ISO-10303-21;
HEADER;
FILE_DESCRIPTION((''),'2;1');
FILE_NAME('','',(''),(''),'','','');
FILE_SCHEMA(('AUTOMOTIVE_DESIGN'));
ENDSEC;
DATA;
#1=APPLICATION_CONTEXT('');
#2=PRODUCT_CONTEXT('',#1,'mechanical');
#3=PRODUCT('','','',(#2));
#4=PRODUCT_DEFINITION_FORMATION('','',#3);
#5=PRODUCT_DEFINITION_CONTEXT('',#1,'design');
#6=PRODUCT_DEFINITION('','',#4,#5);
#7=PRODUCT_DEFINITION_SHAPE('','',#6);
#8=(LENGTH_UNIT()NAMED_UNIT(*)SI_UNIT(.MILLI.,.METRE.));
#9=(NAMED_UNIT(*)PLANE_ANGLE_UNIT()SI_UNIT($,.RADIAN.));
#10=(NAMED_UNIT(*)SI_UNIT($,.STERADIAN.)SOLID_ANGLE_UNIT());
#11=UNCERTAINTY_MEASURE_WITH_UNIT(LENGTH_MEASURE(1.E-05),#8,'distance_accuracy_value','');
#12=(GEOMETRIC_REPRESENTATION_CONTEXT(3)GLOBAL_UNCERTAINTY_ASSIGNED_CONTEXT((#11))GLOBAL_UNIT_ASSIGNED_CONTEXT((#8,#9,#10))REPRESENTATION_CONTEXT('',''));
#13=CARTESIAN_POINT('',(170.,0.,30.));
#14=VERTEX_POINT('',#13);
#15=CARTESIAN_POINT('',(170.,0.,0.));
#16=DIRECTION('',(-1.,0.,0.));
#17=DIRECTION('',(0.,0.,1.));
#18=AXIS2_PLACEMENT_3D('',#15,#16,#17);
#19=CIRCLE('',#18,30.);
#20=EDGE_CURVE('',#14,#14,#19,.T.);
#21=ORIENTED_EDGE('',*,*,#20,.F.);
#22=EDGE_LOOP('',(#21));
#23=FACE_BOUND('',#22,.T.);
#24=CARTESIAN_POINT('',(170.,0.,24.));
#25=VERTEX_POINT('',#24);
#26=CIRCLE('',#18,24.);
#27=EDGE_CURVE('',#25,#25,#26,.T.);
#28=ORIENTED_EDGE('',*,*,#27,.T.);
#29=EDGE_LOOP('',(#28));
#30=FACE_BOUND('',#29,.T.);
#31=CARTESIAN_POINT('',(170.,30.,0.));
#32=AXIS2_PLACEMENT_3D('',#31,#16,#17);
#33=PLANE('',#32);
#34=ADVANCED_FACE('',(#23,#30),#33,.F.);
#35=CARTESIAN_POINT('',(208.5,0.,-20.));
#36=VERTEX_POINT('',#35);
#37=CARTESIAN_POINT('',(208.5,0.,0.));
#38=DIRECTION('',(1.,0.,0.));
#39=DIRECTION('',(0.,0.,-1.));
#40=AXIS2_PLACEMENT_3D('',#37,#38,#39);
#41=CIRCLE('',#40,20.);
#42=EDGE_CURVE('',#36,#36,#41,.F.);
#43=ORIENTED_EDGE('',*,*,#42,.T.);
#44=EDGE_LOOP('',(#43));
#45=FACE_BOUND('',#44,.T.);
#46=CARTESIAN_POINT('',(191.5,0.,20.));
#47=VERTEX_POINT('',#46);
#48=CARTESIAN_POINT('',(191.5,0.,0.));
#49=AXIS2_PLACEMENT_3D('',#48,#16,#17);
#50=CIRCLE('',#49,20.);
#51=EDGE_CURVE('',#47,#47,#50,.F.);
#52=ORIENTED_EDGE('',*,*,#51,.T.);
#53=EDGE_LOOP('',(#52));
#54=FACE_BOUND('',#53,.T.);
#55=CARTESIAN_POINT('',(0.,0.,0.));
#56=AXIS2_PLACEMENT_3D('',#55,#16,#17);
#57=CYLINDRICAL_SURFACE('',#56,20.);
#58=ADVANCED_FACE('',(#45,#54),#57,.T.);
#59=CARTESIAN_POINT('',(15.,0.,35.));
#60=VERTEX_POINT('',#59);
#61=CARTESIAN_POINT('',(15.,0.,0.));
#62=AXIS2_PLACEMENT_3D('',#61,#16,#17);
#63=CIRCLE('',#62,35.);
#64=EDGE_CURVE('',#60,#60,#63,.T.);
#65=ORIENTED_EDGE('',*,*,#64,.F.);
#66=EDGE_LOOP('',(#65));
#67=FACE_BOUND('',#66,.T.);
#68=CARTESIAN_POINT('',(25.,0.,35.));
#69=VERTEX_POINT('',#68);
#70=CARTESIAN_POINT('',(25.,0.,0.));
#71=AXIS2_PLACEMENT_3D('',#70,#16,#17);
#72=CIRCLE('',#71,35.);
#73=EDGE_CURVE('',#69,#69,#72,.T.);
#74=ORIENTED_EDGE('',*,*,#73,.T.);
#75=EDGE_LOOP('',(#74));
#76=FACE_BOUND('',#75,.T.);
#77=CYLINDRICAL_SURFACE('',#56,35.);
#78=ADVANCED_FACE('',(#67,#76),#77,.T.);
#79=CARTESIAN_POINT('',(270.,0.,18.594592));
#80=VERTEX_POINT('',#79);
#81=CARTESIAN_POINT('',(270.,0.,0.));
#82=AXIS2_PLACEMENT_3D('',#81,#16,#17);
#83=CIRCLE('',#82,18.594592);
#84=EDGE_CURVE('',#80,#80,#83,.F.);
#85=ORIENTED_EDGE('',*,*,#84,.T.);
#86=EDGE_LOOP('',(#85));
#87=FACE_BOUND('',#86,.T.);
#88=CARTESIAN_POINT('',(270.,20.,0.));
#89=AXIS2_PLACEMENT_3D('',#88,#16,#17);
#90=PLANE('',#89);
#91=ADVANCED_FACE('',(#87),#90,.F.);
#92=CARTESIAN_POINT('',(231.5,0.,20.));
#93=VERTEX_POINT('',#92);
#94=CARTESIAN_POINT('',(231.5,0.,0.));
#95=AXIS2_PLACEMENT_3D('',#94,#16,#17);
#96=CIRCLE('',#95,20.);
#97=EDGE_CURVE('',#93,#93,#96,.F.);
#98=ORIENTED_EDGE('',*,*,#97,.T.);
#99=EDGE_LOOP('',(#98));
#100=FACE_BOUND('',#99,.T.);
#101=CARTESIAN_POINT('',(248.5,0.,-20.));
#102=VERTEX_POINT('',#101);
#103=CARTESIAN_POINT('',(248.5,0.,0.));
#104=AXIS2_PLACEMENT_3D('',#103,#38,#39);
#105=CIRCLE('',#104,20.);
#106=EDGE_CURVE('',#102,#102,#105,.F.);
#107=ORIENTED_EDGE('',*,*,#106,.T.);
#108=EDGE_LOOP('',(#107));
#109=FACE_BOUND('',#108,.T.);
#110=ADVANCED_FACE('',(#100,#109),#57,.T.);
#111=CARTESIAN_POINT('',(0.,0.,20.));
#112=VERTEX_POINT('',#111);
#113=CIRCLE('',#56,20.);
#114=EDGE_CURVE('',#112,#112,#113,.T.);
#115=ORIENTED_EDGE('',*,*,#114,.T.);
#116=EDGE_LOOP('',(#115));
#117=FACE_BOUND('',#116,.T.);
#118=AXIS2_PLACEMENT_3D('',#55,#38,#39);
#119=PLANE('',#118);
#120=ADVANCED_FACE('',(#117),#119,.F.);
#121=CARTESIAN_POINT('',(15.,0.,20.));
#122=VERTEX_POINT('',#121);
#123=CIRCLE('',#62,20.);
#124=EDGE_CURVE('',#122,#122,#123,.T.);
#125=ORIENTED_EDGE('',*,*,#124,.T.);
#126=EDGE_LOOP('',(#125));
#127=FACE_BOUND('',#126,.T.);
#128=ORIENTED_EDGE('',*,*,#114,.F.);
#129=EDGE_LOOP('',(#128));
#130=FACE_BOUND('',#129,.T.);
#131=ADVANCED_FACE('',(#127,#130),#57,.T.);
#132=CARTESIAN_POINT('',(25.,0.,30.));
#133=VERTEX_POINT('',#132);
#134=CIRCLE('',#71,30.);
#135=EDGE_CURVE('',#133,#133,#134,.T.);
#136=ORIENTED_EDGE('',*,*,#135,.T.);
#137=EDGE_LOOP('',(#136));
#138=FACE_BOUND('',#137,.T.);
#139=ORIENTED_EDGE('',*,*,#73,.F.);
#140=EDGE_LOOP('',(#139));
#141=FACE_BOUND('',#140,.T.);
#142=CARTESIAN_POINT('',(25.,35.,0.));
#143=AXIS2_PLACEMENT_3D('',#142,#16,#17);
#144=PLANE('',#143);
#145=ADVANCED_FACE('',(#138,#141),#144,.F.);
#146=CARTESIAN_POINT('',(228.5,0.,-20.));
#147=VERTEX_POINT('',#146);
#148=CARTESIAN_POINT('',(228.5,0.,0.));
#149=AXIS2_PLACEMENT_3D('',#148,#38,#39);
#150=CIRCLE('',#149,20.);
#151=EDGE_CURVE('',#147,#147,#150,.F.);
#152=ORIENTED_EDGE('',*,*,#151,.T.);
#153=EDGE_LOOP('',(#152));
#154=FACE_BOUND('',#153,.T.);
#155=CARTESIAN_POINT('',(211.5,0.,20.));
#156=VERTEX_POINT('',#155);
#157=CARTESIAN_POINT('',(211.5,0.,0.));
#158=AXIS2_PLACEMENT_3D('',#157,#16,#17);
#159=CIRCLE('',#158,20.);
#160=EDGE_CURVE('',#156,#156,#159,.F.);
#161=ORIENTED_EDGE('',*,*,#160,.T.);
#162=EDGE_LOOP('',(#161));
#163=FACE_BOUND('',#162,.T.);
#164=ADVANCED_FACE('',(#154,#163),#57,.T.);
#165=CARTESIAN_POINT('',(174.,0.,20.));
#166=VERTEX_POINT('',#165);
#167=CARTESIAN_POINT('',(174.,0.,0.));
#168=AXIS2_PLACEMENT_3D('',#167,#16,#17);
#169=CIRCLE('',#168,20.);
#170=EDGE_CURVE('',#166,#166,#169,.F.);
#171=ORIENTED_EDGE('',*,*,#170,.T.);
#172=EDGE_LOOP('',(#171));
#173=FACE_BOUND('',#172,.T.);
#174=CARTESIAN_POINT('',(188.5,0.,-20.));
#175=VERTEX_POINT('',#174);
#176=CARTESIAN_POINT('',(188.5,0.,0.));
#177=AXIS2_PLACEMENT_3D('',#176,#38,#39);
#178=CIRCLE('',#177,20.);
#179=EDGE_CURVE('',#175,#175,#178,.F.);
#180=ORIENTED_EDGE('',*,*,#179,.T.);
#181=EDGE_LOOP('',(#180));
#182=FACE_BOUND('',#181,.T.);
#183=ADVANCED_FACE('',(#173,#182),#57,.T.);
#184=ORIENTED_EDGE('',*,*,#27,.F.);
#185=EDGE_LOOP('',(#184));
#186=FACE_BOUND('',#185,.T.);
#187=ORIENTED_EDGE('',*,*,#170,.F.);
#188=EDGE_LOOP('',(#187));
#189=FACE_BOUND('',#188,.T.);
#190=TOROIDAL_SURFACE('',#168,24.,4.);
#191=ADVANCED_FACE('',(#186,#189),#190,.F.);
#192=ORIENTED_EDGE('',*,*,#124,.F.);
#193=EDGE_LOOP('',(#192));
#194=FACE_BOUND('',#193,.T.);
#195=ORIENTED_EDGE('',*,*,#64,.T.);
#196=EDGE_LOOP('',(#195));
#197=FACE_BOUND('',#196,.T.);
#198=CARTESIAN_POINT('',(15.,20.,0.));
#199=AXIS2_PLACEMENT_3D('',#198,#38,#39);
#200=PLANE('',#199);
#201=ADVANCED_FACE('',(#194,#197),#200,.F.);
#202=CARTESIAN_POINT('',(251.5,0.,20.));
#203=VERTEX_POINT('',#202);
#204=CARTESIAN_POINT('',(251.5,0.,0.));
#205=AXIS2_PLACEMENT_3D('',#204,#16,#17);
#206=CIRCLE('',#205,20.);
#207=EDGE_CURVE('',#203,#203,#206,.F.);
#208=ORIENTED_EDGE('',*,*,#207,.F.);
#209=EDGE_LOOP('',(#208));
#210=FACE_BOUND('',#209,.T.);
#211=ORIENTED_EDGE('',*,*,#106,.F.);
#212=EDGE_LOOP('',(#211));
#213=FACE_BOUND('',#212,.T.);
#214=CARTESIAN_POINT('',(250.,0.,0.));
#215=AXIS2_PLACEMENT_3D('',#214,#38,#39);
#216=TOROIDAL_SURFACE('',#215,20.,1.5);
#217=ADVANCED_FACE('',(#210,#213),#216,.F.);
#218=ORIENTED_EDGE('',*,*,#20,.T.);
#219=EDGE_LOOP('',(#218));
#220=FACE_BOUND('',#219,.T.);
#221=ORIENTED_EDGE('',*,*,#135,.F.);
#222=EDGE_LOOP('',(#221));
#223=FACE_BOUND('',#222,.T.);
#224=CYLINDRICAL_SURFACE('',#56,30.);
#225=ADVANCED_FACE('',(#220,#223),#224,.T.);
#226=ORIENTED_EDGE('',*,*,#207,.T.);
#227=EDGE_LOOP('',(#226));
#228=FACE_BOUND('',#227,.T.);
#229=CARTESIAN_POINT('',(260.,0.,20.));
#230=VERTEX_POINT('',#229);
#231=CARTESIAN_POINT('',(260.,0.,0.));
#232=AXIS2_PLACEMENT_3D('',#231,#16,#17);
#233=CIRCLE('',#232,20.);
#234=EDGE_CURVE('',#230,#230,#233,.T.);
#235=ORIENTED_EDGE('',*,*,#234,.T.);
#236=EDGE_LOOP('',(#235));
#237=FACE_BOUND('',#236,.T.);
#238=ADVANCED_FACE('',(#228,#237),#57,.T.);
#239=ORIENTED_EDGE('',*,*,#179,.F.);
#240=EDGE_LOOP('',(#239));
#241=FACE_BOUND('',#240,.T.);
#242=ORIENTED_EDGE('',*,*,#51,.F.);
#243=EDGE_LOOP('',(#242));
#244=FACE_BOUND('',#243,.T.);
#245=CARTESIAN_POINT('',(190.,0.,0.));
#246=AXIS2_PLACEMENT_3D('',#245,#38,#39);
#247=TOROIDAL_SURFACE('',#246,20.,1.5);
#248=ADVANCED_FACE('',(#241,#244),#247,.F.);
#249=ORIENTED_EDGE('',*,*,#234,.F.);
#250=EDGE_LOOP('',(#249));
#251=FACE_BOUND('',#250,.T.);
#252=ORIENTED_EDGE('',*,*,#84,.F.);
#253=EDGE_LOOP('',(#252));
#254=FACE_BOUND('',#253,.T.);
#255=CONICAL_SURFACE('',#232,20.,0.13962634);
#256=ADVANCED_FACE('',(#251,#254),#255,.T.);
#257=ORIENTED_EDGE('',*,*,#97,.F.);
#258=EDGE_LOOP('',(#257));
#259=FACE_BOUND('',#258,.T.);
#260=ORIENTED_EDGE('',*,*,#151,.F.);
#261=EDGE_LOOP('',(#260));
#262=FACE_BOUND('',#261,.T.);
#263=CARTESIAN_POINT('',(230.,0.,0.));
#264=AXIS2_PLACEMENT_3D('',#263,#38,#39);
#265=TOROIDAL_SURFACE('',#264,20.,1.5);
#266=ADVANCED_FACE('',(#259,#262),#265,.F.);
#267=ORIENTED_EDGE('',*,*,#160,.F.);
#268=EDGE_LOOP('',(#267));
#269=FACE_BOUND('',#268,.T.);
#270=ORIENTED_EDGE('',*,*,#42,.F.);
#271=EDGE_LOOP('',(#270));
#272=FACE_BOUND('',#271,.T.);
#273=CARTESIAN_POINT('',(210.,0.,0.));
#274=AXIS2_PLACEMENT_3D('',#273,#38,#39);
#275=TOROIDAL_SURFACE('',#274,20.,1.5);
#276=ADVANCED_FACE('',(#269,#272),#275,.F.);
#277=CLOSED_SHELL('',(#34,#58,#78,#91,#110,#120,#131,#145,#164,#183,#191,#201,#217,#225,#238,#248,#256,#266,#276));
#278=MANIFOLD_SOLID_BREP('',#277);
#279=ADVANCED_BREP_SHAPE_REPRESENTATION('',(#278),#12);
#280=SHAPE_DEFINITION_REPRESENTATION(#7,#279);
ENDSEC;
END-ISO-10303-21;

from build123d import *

# Parameters (mm, degrees)
FILLET1_R      = 4
CHAMFER1_SIZE  = 10
CHAMFER1_SIZE2 = 1.405408347
SKETCH2_R      = 1.5


with BuildPart() as part:
    # Sketch1 → Revolve1 (revolve)
    with BuildSketch(Plane.XY, mode=Mode.PRIVATE) as revolve1_sk:
        Polygon((0, 0), (270, 0), (270, 20), (170, 20), (170, 30), (25, 30), (25, 35), (15, 35), (15, 20), (0, 20), align=None)
    revolve(revolve1_sk.sketch.rotate(Axis((0, 0, 0), (1, 0, 0)), 90), axis=Axis((0, 0, 0), (1, 0, 0)))

    # Fillet1
    fillet1_edges = [part.edges().sort_by_distance(p)[0] for p in [
        (170, 0, -20),
    ]]
    fillet(fillet1_edges, radius=FILLET1_R)

    # Chamfer1
    chamfer1_edges = [part.edges().sort_by_distance(p)[0] for p in [
        (270, 0, -20),
    ]]
    chamfer1_side = [part.faces().sort_by_distance(p)[0] for p in [
        (222, 0, -20),
    ]]
    chamfer(chamfer1_edges, length=CHAMFER1_SIZE, length2=CHAMFER1_SIZE2, reference=chamfer1_side[0])

    # Sketch2 → Cut-Revolve1 (revolve, cut)
    with BuildSketch(Plane.XY, mode=Mode.PRIVATE) as cut_revolve1_sk:
        with Locations((190, 20)):
            Circle(SKETCH2_R)
        with Locations((210, 20)):
            Circle(SKETCH2_R)
        with Locations((230, 20)):
            Circle(SKETCH2_R)
        with Locations((250, 20)):
            Circle(SKETCH2_R)
    revolve(cut_revolve1_sk.sketch.rotate(Axis((170, 0, 0), (-1, 0, 0)), 270), axis=Axis((170, 0, 0), (-1, 0, 0)), mode=Mode.SUBTRACT)


solid = part.part
